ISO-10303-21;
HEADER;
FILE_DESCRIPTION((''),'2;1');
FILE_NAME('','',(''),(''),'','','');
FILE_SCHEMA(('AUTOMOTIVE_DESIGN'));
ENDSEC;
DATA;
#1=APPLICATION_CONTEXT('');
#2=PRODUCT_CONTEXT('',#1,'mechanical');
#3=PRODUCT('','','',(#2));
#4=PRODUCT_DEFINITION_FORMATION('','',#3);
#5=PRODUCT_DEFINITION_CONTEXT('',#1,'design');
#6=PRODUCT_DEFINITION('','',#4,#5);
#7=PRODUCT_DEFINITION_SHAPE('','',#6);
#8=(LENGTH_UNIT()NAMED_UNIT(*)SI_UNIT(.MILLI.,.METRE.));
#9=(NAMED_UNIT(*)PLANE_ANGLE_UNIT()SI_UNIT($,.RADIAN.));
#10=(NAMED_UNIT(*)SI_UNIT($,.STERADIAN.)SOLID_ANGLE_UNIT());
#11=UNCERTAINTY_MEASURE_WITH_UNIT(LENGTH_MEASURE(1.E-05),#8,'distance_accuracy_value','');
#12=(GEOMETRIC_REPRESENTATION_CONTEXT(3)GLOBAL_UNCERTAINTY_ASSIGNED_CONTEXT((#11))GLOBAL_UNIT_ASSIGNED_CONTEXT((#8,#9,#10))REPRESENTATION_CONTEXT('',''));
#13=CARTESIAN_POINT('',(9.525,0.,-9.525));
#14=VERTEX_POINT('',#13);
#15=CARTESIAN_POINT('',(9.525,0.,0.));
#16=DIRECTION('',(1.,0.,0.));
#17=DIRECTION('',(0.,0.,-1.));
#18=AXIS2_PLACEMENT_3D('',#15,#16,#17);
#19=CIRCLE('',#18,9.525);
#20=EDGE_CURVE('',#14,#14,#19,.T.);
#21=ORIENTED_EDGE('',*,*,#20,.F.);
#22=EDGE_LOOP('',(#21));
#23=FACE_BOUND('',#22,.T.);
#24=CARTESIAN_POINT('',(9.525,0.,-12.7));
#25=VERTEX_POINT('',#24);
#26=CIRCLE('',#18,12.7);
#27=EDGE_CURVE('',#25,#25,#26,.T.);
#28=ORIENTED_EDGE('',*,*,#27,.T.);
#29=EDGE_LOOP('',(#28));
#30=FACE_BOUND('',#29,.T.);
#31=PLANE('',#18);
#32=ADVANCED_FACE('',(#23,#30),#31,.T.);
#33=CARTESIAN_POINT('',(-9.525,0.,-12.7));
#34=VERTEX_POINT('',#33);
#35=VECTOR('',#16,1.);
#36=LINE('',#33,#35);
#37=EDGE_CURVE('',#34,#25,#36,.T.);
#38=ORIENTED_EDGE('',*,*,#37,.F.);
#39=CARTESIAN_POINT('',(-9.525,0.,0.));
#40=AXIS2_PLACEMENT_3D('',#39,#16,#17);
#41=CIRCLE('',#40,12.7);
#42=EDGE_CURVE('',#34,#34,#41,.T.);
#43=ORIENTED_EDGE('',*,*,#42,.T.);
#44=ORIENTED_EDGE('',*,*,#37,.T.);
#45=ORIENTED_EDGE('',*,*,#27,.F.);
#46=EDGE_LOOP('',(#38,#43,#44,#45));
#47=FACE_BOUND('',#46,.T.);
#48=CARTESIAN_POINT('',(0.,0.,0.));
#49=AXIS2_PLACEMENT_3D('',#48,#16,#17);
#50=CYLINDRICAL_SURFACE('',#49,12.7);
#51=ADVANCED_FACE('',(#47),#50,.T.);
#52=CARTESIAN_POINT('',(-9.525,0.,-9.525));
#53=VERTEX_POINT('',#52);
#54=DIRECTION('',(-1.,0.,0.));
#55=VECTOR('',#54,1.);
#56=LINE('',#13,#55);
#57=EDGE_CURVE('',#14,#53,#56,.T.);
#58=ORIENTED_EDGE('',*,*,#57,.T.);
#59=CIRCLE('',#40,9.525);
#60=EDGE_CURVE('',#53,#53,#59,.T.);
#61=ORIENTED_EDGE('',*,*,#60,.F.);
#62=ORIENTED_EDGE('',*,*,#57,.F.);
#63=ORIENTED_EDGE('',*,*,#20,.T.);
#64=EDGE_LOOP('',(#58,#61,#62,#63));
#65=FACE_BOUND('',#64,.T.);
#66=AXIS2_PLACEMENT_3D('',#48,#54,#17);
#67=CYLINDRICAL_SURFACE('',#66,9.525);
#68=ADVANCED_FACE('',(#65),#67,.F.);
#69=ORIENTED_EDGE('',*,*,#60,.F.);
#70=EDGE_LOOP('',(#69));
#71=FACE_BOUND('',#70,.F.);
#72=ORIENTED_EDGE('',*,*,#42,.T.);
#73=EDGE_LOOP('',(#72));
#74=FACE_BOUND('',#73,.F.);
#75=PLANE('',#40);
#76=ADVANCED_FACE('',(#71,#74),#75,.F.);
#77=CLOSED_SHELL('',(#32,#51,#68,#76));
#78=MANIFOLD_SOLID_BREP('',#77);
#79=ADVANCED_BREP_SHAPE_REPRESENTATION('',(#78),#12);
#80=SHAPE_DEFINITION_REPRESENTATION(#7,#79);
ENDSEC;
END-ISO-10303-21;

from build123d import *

# Parameters (mm, degrees)
SKETCH2_R           = 12.7
SKETCH2_R_2         = 9.525
BOSS_EXTRUDE1_DEPTH = 9.525


with BuildPart() as part:
    # Sketch2 → Boss-Extrude1 (new body, symmetric)
    with BuildSketch(Plane(origin=(0, 0, 0), x_dir=(0, 0, -1), z_dir=(1, 0, 0))):
        Circle(SKETCH2_R)
        Circle(SKETCH2_R_2, mode=Mode.SUBTRACT)
    extrude(amount=BOSS_EXTRUDE1_DEPTH, both=True)


solid = part.part
